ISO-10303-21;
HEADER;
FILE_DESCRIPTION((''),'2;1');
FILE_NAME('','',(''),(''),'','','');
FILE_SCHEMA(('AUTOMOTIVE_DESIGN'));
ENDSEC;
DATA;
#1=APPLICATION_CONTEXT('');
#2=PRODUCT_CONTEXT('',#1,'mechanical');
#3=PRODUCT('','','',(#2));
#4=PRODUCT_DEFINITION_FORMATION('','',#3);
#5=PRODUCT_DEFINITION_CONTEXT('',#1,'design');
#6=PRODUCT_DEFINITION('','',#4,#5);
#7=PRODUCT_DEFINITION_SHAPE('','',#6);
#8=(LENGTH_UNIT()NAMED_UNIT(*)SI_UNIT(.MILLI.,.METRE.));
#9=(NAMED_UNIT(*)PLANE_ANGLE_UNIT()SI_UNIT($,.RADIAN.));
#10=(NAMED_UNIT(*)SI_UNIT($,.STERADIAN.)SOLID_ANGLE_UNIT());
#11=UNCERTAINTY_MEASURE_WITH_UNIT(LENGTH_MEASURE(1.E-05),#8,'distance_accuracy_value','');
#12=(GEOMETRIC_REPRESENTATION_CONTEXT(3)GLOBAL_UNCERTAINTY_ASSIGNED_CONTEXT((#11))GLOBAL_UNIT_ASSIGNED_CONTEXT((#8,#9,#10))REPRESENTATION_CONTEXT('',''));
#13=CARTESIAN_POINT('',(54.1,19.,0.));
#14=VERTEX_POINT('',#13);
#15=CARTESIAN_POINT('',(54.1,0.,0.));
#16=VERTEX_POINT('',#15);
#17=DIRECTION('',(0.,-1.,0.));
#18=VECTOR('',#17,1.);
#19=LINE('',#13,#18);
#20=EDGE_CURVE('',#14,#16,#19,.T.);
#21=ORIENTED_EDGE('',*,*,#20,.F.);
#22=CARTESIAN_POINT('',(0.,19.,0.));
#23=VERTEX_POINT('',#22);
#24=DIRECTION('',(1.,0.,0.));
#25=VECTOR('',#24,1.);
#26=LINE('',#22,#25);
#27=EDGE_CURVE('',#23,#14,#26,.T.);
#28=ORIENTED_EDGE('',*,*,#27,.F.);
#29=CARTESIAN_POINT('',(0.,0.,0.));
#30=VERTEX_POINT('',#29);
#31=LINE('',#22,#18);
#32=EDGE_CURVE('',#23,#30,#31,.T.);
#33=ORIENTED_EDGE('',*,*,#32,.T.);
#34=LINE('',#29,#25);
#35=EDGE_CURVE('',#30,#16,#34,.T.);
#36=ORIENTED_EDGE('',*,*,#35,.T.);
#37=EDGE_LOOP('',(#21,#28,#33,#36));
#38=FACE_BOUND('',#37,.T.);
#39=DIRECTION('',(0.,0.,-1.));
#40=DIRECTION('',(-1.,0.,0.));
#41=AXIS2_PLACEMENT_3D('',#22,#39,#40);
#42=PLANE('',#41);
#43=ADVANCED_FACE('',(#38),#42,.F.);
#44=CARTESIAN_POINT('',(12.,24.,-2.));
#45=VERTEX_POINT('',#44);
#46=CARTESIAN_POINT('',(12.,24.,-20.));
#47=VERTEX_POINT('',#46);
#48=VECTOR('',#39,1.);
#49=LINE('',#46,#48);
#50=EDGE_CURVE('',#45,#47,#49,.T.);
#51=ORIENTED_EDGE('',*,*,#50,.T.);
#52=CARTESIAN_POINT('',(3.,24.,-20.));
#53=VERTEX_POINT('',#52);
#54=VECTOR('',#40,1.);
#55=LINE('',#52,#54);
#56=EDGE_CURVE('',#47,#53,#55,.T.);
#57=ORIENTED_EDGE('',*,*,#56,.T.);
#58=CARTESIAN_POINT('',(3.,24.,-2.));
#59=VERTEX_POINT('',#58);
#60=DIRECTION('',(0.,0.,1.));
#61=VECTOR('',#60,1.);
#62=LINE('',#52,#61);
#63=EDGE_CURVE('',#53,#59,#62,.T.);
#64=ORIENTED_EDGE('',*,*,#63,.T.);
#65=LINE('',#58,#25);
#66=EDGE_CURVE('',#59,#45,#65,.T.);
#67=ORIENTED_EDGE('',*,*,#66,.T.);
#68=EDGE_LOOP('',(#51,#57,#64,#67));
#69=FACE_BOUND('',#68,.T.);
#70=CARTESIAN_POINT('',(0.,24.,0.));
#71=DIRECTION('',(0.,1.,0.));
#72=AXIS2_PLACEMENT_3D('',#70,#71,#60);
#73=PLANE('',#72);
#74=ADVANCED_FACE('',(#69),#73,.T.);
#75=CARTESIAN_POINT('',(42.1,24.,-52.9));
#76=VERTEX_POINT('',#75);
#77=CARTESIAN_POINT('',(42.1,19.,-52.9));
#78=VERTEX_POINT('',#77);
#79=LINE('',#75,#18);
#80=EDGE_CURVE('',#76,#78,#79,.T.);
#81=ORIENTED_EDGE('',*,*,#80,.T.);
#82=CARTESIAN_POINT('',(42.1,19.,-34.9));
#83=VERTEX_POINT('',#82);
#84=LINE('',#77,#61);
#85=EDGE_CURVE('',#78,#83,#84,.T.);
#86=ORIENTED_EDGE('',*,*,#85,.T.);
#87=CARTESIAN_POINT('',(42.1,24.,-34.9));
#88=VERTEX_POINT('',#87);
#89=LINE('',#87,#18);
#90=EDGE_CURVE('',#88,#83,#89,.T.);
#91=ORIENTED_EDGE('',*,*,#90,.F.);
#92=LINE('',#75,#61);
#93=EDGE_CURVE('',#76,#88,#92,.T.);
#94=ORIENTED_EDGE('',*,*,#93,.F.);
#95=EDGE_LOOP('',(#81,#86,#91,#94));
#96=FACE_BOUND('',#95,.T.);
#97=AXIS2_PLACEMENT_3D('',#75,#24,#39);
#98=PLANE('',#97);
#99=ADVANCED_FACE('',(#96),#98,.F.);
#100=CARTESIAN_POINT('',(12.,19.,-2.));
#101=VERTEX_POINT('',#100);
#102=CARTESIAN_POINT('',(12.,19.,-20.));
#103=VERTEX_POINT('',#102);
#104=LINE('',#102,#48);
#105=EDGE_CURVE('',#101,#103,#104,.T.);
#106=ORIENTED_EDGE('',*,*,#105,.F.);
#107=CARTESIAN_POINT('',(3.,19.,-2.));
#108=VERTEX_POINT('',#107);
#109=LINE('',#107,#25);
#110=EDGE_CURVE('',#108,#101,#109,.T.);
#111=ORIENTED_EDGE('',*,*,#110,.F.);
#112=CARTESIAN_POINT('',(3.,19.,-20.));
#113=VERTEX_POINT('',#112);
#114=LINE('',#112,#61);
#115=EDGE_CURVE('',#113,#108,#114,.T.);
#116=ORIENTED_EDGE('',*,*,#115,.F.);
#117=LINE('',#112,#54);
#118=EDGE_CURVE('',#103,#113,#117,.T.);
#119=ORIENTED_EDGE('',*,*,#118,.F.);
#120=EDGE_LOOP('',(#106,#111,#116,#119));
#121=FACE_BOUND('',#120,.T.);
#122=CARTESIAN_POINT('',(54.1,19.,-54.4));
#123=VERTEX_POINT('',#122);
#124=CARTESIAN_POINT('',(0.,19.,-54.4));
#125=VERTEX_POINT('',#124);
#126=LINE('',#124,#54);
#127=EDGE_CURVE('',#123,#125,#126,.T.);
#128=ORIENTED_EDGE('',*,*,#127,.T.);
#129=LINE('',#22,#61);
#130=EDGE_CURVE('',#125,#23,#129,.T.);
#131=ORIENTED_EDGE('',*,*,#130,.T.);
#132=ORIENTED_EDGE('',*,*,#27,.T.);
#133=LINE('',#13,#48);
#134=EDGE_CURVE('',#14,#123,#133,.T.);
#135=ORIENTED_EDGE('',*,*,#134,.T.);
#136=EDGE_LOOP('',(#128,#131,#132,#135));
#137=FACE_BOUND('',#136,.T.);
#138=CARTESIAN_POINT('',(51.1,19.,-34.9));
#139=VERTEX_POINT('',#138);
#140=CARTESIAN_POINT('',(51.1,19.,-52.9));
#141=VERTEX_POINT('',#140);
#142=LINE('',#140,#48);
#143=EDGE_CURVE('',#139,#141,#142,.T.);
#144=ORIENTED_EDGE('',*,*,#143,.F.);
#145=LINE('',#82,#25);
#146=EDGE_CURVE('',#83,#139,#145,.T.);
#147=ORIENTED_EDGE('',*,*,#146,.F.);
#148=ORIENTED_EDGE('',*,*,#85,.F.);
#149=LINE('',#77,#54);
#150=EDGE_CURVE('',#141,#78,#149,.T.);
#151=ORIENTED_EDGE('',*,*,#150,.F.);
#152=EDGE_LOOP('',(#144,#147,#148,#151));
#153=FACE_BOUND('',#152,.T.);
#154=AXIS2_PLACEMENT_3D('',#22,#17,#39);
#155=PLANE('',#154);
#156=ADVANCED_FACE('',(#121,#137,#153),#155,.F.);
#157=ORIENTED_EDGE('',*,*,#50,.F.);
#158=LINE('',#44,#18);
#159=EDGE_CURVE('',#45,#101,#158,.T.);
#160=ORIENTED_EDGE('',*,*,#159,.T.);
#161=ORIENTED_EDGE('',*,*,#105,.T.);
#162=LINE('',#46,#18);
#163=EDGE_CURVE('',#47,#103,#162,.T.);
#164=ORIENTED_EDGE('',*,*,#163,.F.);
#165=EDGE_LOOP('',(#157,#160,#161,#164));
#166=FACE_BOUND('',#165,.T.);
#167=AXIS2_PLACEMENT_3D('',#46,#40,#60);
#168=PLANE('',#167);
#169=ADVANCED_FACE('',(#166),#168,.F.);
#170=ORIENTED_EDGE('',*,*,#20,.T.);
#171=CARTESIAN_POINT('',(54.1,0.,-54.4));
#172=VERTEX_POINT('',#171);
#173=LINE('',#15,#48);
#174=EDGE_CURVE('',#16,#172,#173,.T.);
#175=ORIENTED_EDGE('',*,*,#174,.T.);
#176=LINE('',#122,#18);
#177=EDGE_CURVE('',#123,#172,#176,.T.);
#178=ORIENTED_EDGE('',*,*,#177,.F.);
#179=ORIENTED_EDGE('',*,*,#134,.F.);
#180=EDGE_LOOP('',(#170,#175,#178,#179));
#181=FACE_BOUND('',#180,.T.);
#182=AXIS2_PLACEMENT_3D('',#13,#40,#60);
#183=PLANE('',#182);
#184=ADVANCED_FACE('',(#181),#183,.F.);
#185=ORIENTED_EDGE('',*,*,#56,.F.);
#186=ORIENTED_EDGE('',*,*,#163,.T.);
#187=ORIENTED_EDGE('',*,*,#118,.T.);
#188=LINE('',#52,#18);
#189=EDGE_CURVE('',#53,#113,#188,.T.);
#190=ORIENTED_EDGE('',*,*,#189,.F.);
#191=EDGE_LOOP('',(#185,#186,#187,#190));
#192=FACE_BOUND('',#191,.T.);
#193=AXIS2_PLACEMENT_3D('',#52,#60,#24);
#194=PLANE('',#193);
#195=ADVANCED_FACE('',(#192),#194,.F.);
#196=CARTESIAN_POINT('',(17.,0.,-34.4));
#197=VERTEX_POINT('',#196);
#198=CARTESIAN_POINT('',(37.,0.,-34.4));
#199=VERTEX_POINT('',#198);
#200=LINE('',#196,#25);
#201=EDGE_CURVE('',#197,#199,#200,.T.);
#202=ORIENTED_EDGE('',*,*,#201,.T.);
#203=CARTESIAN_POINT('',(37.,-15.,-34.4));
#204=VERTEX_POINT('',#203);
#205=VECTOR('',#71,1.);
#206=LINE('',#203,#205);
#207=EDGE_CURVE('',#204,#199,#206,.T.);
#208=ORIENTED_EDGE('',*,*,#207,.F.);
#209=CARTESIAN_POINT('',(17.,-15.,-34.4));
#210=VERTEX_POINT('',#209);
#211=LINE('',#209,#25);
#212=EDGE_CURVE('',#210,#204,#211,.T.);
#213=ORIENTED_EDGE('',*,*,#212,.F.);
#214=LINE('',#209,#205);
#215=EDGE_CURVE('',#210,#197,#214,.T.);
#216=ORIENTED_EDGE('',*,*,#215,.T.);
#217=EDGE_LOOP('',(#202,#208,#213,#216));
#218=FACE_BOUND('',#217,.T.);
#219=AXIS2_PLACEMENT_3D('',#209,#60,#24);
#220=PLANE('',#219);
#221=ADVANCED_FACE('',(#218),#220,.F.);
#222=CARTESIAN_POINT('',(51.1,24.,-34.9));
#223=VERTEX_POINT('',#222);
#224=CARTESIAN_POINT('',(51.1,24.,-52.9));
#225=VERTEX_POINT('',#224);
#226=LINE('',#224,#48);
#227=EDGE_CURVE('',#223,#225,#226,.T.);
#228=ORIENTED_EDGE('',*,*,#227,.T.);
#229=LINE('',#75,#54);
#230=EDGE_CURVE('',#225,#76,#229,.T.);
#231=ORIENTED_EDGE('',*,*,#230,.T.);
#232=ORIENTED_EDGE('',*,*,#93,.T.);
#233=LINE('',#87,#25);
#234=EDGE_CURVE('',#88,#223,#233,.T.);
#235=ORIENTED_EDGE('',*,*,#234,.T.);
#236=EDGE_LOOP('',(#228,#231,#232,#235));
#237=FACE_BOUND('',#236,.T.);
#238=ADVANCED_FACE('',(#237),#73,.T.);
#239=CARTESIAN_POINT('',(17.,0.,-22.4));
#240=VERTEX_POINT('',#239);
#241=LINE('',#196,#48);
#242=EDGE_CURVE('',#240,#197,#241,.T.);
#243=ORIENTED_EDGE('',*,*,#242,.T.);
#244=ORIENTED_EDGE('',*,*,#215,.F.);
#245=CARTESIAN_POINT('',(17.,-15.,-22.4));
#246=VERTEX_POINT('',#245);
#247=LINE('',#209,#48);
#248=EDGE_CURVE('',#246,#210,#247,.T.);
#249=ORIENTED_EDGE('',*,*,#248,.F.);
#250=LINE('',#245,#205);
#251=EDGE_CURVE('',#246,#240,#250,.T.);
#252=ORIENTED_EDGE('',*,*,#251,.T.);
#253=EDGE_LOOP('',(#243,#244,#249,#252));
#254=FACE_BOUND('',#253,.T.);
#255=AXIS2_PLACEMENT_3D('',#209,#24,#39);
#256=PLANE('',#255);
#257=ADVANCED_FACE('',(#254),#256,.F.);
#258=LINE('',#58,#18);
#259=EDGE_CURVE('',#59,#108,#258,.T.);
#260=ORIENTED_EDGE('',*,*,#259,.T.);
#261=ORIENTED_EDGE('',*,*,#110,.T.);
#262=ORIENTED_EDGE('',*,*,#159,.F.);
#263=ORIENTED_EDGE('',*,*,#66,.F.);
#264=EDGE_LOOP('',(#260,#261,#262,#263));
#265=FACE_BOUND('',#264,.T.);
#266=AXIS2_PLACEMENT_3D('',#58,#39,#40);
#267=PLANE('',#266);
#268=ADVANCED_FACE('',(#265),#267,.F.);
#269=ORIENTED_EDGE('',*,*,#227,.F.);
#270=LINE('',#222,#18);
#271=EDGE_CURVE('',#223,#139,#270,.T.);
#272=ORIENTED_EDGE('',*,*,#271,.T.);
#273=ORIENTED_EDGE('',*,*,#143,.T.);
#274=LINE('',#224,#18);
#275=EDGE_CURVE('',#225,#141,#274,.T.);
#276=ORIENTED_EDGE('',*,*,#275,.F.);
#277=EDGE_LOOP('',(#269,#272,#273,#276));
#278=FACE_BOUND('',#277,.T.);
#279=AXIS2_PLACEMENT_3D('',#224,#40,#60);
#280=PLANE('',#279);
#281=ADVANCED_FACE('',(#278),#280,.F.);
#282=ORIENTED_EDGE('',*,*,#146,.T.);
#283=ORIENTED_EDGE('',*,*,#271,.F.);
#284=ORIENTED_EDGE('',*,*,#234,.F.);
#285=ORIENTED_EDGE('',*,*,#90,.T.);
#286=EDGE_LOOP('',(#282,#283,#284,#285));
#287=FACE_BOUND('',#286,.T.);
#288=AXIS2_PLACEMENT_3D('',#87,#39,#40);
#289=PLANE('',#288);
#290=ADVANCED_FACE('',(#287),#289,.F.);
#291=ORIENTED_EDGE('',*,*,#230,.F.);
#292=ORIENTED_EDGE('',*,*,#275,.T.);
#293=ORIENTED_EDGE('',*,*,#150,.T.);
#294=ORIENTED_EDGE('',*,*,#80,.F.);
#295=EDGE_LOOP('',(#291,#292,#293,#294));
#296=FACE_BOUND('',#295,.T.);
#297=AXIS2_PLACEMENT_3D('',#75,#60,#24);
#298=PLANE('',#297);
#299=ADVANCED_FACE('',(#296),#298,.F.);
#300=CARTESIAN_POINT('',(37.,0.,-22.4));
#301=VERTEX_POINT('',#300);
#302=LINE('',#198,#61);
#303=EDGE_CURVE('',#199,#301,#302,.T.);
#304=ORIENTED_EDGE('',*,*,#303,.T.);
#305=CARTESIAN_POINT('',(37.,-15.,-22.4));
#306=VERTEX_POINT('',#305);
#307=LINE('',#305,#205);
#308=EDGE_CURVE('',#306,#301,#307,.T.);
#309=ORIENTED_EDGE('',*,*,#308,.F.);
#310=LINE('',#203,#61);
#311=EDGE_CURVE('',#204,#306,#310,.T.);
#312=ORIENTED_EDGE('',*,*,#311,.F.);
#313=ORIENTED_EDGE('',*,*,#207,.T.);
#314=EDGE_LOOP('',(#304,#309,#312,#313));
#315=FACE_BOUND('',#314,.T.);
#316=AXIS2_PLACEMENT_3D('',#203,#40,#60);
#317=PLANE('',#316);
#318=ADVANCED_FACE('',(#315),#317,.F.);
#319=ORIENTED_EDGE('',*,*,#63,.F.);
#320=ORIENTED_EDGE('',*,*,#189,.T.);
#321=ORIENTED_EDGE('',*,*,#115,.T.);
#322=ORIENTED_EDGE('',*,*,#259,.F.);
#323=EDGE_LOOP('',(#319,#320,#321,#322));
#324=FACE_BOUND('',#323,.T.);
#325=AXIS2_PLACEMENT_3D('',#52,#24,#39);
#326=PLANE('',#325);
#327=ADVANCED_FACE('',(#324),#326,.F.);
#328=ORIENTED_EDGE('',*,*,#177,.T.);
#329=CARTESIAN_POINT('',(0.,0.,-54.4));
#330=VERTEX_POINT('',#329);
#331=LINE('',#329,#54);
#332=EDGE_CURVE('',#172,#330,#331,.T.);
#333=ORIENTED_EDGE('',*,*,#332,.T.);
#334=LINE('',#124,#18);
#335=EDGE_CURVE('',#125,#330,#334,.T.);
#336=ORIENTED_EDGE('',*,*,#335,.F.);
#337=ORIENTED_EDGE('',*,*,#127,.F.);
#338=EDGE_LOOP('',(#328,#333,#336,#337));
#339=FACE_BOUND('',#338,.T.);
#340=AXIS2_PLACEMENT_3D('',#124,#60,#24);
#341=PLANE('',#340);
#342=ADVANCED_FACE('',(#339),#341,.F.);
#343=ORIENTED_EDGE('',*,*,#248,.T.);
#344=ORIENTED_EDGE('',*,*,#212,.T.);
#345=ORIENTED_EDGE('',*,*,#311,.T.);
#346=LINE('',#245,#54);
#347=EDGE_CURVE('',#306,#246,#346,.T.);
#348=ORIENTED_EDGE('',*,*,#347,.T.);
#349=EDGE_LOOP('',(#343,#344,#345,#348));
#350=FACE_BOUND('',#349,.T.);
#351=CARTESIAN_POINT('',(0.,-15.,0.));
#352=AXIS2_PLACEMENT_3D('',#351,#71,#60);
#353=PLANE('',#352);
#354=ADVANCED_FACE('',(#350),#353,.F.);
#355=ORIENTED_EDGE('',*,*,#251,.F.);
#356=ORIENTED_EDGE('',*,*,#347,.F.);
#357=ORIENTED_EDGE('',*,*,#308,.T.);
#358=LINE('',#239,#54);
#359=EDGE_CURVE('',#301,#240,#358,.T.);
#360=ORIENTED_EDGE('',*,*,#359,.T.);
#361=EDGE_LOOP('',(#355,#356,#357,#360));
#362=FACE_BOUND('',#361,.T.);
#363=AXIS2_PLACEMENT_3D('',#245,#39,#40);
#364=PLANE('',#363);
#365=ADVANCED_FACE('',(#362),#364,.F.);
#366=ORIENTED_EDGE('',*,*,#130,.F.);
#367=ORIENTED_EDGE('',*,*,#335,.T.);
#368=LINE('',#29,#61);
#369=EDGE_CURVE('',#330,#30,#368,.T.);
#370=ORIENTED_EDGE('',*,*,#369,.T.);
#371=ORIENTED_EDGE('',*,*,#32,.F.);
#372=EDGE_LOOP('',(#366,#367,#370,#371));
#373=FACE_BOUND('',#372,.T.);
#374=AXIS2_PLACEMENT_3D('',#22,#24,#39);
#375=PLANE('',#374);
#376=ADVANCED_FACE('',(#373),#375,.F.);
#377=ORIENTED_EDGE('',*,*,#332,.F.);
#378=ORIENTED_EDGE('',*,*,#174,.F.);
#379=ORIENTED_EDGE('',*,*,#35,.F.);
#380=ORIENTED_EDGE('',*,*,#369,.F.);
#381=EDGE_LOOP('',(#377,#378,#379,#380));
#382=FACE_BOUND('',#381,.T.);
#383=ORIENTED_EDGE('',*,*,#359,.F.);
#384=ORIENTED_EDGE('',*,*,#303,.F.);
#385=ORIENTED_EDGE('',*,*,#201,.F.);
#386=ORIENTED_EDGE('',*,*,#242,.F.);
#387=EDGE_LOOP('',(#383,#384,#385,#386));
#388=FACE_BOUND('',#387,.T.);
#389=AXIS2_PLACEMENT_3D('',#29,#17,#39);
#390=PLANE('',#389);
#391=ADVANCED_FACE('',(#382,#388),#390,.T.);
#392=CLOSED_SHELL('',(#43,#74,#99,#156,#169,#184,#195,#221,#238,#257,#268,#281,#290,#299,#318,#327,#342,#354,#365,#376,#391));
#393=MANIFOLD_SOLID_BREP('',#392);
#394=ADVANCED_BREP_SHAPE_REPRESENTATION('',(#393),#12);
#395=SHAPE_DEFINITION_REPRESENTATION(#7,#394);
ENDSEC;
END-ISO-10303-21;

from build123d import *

# Parameters (mm, degrees)
ESQUISSE1_W        = 54.1
ESQUISSE1_H        = 54.4
BOSS_EXTRU_1_DEPTH = 19
ESQUISSE2_W        = 20
ESQUISSE2_H        = 12
BOSS_EXTRU_2_DEPTH = 15
ESQUISSE3_W        = 9
ESQUISSE3_H        = 18
BOSS_EXTRU_3_DEPTH = 5


with BuildPart() as part:
    # Esquisse1 → Boss.-Extru.1 (new body)
    with BuildSketch(Plane(origin=(0, 0, 0), x_dir=(1, 0, 0), z_dir=(0, 1, 0))):
        with Locations((27.05, 27.2)):
            Rectangle(ESQUISSE1_W, ESQUISSE1_H)
    extrude(amount=BOSS_EXTRU_1_DEPTH)

    # Esquisse2 → Boss.-Extru.2 (add)
    with BuildSketch(Plane.XZ):
        with Locations((27, -28.4)):
            Rectangle(ESQUISSE2_W, ESQUISSE2_H)
    extrude(amount=BOSS_EXTRU_2_DEPTH)

    # Esquisse3 → Boss.-Extru.3 (add)
    with BuildSketch(Plane(origin=(0, 19, 0), x_dir=(1, 0, 0), z_dir=(0, 1, 0))):
        with Locations((46.6, 43.9)):
            Rectangle(ESQUISSE3_W, ESQUISSE3_H)
        with Locations((7.5, 11)):
            Rectangle(ESQUISSE3_W, ESQUISSE3_H)
    extrude(amount=BOSS_EXTRU_3_DEPTH)


solid = part.part
